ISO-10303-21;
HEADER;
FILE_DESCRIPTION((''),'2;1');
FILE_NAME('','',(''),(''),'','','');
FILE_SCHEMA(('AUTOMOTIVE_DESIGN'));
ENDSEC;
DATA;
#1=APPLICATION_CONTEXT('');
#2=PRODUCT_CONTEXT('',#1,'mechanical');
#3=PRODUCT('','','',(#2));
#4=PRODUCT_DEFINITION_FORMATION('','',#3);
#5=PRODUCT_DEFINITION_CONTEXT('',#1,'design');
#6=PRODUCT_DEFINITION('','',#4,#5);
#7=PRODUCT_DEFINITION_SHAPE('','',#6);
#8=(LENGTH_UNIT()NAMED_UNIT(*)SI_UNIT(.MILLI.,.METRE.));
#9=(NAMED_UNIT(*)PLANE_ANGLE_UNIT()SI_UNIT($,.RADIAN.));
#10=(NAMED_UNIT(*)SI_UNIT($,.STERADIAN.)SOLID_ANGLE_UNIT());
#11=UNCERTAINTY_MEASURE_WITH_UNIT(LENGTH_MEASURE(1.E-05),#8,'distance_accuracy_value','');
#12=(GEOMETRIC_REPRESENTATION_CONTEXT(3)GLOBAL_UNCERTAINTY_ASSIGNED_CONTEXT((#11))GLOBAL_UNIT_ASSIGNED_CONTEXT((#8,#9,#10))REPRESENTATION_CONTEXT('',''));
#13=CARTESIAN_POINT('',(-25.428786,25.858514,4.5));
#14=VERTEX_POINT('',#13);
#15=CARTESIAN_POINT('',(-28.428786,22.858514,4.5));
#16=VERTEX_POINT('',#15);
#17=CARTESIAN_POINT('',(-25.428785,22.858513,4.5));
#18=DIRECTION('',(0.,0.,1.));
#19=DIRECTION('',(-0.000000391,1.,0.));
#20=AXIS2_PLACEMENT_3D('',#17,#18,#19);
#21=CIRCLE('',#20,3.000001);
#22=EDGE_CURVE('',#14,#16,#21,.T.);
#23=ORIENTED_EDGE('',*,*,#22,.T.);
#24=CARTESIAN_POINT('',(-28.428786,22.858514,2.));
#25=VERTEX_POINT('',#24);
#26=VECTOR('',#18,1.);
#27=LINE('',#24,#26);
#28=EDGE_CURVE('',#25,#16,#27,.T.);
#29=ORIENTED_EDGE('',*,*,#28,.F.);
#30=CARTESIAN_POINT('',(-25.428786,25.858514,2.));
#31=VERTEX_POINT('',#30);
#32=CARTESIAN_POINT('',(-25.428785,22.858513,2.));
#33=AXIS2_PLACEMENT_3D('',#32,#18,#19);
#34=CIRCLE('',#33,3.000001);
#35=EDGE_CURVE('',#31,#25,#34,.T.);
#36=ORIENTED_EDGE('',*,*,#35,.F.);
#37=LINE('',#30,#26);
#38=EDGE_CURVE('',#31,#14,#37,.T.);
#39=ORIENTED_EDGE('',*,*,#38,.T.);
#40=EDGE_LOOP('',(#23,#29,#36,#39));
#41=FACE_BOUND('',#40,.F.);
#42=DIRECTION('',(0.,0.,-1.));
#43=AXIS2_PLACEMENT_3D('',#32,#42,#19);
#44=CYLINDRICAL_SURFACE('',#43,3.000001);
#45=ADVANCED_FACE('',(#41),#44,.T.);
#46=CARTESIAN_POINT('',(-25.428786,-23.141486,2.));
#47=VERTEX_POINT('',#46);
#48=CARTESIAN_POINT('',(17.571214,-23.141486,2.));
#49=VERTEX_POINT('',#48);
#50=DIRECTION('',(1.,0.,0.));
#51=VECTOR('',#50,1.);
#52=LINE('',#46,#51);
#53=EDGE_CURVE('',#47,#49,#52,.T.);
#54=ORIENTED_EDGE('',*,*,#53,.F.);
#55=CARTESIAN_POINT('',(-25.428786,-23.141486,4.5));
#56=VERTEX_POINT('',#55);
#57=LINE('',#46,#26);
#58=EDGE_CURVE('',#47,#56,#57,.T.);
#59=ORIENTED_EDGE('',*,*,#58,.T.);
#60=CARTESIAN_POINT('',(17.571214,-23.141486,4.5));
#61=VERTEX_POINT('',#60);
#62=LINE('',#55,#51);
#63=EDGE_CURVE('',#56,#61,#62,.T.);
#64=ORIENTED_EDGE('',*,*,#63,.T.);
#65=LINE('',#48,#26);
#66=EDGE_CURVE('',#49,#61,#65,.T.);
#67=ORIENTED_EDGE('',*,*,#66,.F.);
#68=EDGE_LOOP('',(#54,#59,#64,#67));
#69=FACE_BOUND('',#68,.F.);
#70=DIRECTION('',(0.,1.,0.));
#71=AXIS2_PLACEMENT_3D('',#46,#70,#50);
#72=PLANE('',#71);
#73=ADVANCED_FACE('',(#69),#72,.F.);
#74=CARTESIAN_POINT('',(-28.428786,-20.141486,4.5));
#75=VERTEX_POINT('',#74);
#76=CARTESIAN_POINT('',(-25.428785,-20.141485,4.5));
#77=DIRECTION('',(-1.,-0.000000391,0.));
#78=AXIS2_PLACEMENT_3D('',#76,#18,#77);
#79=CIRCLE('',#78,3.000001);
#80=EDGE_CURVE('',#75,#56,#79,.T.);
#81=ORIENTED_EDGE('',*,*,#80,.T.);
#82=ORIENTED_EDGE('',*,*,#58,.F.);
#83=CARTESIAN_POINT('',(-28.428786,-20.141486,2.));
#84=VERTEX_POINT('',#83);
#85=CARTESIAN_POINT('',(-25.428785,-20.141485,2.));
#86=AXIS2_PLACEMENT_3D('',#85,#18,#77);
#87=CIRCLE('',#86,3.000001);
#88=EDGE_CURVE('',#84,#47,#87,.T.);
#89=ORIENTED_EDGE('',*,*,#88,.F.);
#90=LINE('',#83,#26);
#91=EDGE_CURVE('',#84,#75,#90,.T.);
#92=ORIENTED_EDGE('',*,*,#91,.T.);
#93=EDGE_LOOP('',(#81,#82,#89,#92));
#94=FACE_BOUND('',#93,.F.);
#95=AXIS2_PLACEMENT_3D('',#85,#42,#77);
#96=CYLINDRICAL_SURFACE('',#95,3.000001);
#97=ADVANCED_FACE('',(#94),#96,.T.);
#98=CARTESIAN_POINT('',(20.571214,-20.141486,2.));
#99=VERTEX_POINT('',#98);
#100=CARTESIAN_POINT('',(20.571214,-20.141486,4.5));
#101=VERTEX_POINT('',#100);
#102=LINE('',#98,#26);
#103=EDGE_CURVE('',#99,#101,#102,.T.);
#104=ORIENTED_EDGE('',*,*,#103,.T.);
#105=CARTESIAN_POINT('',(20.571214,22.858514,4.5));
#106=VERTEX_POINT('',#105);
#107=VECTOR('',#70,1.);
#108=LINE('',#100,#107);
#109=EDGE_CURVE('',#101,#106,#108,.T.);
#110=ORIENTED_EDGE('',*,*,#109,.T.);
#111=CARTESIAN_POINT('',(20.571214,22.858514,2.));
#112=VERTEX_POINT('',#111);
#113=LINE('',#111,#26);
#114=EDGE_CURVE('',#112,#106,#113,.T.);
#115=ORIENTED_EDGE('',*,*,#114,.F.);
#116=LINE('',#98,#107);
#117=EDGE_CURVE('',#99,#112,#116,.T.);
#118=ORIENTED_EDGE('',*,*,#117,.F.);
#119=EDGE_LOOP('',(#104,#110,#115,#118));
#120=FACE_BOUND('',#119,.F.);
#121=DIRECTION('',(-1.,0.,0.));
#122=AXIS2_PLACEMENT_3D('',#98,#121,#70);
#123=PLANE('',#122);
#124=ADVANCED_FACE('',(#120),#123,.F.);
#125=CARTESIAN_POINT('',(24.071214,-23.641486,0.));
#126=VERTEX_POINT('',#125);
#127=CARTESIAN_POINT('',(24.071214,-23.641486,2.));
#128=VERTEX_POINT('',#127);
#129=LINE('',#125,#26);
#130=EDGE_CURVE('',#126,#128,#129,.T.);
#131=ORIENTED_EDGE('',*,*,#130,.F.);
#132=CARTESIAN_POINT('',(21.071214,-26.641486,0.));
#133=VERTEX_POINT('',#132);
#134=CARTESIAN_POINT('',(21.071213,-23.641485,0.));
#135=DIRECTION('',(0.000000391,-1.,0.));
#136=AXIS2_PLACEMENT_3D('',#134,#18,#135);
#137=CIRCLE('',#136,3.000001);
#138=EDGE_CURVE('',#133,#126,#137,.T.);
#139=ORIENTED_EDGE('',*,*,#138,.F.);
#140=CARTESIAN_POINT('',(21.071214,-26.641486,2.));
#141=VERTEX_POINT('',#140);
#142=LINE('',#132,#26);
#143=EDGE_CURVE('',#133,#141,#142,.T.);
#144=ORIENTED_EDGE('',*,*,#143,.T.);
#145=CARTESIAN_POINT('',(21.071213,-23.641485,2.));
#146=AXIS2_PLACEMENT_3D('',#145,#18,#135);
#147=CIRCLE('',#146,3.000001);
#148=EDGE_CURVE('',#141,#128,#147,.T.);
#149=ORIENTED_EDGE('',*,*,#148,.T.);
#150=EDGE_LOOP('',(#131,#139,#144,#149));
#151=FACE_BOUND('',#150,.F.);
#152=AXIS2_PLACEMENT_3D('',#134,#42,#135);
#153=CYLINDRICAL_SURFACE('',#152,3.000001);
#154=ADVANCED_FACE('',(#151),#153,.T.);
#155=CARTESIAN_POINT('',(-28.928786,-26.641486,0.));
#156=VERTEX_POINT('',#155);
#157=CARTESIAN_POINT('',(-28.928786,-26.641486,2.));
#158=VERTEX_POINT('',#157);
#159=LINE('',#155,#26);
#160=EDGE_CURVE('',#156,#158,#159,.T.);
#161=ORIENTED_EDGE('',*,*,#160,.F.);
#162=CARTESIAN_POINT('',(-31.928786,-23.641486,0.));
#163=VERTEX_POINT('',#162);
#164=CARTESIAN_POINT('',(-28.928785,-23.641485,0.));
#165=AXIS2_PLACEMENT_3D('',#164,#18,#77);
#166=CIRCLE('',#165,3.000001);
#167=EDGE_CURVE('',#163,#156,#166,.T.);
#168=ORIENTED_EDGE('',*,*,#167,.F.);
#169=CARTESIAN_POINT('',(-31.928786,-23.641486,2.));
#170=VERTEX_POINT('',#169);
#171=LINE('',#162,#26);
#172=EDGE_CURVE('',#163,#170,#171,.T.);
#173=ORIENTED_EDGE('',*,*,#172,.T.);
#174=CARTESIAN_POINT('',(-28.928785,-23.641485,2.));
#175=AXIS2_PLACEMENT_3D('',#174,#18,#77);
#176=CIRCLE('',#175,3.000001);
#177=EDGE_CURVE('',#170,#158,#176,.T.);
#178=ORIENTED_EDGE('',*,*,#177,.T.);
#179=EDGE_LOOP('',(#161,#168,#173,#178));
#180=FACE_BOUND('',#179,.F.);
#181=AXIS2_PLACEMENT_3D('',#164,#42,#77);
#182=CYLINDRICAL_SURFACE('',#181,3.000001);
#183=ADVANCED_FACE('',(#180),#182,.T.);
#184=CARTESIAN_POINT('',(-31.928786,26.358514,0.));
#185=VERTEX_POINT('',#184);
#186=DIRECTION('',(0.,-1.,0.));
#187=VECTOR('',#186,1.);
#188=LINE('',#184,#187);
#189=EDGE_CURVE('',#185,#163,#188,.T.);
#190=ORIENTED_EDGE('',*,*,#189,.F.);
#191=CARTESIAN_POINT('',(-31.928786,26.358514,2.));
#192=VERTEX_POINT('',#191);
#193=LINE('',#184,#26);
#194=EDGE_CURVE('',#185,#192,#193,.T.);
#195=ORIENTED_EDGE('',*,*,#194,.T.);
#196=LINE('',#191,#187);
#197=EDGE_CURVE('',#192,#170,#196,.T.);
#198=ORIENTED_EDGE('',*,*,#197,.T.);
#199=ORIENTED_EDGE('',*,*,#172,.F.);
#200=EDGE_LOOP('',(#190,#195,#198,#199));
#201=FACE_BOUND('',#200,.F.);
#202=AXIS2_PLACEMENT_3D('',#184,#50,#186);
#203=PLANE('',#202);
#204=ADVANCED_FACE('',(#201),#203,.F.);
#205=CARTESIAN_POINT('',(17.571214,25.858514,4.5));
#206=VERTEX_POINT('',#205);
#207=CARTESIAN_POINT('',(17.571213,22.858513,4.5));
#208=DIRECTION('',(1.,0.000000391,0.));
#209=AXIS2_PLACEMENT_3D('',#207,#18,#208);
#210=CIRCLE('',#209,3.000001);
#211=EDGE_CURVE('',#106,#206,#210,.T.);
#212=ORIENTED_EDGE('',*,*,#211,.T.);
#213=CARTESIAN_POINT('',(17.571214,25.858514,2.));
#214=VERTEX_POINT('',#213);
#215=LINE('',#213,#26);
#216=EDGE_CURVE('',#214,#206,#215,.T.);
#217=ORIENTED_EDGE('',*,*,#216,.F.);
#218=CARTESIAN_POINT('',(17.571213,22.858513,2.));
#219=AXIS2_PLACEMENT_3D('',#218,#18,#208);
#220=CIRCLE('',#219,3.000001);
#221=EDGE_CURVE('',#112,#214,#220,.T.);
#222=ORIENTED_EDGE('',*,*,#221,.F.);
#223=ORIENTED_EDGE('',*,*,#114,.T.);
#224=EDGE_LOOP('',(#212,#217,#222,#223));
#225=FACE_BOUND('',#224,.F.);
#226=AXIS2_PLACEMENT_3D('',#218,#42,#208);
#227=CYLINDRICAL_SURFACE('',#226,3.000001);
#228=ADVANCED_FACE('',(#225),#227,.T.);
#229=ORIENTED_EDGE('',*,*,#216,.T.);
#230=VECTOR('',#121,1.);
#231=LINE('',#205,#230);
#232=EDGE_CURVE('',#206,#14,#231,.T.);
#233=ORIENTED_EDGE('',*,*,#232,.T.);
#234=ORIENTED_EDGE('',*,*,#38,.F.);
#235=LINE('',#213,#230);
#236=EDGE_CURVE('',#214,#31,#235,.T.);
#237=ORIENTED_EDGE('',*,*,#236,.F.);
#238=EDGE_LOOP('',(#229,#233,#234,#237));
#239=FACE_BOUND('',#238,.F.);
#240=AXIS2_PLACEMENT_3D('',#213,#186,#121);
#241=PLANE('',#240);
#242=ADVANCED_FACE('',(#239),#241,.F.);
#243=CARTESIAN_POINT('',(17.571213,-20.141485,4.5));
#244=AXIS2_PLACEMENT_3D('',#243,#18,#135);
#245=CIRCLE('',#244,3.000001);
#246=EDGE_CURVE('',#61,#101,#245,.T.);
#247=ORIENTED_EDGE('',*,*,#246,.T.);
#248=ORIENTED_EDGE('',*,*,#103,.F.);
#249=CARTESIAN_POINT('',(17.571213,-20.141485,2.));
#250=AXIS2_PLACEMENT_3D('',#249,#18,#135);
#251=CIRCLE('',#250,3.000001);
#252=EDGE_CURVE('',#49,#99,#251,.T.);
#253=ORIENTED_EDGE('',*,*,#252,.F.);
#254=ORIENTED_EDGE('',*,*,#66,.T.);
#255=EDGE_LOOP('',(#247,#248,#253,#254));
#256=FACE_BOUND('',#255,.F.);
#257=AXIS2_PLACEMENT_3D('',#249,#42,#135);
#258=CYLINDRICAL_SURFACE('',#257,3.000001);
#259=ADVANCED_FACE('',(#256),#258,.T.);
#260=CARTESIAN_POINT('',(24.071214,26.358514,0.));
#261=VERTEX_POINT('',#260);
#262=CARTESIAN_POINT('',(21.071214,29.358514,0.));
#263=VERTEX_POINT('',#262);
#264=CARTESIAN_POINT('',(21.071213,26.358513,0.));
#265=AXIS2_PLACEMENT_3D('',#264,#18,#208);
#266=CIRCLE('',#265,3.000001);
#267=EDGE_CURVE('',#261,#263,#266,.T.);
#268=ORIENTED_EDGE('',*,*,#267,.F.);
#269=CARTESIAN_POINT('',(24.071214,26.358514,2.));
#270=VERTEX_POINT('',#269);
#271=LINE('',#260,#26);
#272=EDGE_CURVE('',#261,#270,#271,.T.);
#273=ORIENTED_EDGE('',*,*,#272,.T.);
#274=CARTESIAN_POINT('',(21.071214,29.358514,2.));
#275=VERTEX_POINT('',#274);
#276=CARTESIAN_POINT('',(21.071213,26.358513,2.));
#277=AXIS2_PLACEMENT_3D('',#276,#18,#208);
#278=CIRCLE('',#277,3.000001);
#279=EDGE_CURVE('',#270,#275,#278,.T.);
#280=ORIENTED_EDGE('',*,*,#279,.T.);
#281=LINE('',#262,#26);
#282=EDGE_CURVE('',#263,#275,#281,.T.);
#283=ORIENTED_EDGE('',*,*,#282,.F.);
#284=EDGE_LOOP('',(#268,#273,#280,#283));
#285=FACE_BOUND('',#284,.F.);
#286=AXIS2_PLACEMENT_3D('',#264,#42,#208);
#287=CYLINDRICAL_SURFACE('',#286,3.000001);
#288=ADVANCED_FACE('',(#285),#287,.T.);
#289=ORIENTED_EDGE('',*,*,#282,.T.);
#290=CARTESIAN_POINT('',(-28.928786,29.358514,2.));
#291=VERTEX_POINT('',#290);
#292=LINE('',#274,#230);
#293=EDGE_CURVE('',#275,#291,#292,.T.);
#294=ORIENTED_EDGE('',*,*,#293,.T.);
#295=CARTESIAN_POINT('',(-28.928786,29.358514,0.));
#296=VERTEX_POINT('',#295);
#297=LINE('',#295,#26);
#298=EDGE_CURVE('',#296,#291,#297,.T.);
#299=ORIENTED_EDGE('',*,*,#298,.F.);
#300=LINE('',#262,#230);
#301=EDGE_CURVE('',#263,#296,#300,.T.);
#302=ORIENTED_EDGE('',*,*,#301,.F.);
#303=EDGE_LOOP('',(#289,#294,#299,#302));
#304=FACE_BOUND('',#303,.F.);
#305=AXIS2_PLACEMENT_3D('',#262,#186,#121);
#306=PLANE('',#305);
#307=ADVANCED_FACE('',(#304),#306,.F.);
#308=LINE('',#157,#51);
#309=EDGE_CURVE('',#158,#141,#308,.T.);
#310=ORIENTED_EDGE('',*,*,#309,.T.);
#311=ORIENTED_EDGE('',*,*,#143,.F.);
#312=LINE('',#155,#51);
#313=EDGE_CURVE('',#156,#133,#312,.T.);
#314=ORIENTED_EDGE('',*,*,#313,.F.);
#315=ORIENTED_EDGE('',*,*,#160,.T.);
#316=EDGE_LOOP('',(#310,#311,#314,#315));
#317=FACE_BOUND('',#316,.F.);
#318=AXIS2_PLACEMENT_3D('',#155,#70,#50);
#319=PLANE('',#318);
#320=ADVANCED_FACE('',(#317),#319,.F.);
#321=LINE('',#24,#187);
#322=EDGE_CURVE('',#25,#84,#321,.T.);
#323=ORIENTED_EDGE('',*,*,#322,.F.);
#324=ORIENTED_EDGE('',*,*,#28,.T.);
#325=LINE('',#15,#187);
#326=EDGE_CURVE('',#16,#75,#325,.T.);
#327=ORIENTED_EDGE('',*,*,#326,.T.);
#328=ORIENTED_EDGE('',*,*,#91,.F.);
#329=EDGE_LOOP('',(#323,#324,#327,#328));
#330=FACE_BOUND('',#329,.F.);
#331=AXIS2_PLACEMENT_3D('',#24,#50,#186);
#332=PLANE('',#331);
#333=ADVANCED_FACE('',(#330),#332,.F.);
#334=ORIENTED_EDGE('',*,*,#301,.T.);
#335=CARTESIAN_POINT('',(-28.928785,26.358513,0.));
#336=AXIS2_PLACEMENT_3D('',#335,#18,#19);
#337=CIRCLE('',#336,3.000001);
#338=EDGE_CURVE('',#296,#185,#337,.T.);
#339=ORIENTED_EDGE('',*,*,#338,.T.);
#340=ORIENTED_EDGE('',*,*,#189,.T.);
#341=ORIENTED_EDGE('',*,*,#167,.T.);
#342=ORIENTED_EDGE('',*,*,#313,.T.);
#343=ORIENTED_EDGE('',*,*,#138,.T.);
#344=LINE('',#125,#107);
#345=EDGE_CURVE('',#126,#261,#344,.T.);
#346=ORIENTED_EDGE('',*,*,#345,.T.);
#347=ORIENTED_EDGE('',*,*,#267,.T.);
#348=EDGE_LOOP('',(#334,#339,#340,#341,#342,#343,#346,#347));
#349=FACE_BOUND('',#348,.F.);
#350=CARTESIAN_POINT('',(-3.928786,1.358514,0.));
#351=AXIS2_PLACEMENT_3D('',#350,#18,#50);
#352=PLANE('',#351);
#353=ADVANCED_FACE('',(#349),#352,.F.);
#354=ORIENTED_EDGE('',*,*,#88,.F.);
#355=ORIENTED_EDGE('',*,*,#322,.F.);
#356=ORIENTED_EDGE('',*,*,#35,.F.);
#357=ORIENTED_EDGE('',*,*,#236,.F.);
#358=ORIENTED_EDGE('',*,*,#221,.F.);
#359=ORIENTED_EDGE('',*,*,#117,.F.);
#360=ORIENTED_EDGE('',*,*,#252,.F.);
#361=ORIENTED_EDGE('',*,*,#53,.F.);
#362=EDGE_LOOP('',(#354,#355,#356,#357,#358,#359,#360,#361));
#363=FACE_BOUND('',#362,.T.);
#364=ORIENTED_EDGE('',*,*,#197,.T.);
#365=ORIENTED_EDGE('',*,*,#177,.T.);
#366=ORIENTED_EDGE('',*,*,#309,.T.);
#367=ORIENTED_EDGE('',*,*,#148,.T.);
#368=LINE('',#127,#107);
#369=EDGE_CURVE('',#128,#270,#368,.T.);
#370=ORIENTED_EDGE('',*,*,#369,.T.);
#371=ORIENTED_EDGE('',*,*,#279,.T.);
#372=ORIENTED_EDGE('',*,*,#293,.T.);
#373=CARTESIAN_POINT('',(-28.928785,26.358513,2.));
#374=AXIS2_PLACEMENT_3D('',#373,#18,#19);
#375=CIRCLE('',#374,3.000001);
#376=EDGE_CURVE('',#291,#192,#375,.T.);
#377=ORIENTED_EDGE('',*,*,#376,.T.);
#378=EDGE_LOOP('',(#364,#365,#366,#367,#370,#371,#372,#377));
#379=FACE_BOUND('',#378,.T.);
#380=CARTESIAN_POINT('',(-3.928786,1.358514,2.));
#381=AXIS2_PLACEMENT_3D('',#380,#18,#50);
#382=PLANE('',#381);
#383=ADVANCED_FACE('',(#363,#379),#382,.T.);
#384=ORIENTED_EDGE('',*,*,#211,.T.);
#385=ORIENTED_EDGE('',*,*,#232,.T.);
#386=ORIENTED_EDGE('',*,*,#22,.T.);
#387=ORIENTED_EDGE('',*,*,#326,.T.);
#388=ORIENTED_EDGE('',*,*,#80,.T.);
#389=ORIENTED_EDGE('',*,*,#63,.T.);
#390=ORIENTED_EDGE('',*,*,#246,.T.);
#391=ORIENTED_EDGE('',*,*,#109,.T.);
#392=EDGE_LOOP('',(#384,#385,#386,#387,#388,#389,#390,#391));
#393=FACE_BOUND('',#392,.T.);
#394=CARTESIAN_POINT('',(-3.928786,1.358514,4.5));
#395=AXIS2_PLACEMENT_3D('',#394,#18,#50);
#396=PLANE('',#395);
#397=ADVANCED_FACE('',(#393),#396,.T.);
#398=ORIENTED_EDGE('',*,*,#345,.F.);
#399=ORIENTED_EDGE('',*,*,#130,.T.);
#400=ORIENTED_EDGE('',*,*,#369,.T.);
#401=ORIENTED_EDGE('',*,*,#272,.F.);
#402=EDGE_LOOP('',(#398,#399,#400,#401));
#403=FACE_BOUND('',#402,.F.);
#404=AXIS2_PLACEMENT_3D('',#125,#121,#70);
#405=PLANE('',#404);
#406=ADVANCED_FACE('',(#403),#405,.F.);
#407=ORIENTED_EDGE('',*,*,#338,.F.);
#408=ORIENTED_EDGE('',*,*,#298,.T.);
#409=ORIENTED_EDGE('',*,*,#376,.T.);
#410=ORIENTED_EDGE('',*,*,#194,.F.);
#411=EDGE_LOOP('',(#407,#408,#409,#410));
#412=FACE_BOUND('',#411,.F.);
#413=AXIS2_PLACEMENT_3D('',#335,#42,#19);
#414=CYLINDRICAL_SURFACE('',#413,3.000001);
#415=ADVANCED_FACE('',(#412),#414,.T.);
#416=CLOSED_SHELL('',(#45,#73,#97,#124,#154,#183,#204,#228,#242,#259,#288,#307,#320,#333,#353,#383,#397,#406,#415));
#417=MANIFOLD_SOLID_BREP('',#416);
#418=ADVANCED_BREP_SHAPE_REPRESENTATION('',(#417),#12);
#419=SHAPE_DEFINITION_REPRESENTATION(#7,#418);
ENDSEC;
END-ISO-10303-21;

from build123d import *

# Parameters (mm, degrees)
F1_DEPTH = 2
F3_DEPTH = 2.5


with BuildPart() as f1:
    # F0 (on Top) → F1 (new body)
    with BuildSketch(Plane.XY):
        with BuildLine():
            Line((21.071214, 29.358514), (-28.928786, 29.358514))
            ThreePointArc((-28.928786, 29.358514), (-31.050106, 28.479834), (-31.928786, 26.358514))
            Line((-31.928786, 26.358514), (-31.928786, -23.641486))
            ThreePointArc((-31.928786, -23.641486), (-31.050106, -25.762806), (-28.928786, -26.641486))
            Line((-28.928786, -26.641486), (21.071214, -26.641486))
            ThreePointArc((21.071214, -26.641486), (23.192534, -25.762806), (24.071214, -23.641486))
            Line((24.071214, -23.641486), (24.071214, 26.358514))
            ThreePointArc((24.071214, 26.358514), (23.192534, 28.479834), (21.071214, 29.358514))
        make_face()
    extrude(amount=F1_DEPTH)

    # F2 (on face) → F3 (join)
    with BuildSketch(Plane.XY.offset(2)):
        with BuildLine():
            ThreePointArc((-28.428786, -20.141486), (-27.550106, -22.262806), (-25.428786, -23.141486))
            Line((-25.428786, -23.141486), (17.571214, -23.141486))
            ThreePointArc((17.571214, -23.141486), (19.692534, -22.262806), (20.571214, -20.141486))
            Line((20.571214, -20.141486), (20.571214, 22.858514))
            ThreePointArc((20.571214, 22.858514), (19.692534, 24.979834), (17.571214, 25.858514))
            Line((17.571214, 25.858514), (-25.428786, 25.858514))
            ThreePointArc((-25.428786, 25.858514), (-27.550106, 24.979834), (-28.428786, 22.858514))
            Line((-28.428786, 22.858514), (-28.428786, -20.141486))
        make_face()
    extrude(amount=F3_DEPTH)


solid = f1.part
